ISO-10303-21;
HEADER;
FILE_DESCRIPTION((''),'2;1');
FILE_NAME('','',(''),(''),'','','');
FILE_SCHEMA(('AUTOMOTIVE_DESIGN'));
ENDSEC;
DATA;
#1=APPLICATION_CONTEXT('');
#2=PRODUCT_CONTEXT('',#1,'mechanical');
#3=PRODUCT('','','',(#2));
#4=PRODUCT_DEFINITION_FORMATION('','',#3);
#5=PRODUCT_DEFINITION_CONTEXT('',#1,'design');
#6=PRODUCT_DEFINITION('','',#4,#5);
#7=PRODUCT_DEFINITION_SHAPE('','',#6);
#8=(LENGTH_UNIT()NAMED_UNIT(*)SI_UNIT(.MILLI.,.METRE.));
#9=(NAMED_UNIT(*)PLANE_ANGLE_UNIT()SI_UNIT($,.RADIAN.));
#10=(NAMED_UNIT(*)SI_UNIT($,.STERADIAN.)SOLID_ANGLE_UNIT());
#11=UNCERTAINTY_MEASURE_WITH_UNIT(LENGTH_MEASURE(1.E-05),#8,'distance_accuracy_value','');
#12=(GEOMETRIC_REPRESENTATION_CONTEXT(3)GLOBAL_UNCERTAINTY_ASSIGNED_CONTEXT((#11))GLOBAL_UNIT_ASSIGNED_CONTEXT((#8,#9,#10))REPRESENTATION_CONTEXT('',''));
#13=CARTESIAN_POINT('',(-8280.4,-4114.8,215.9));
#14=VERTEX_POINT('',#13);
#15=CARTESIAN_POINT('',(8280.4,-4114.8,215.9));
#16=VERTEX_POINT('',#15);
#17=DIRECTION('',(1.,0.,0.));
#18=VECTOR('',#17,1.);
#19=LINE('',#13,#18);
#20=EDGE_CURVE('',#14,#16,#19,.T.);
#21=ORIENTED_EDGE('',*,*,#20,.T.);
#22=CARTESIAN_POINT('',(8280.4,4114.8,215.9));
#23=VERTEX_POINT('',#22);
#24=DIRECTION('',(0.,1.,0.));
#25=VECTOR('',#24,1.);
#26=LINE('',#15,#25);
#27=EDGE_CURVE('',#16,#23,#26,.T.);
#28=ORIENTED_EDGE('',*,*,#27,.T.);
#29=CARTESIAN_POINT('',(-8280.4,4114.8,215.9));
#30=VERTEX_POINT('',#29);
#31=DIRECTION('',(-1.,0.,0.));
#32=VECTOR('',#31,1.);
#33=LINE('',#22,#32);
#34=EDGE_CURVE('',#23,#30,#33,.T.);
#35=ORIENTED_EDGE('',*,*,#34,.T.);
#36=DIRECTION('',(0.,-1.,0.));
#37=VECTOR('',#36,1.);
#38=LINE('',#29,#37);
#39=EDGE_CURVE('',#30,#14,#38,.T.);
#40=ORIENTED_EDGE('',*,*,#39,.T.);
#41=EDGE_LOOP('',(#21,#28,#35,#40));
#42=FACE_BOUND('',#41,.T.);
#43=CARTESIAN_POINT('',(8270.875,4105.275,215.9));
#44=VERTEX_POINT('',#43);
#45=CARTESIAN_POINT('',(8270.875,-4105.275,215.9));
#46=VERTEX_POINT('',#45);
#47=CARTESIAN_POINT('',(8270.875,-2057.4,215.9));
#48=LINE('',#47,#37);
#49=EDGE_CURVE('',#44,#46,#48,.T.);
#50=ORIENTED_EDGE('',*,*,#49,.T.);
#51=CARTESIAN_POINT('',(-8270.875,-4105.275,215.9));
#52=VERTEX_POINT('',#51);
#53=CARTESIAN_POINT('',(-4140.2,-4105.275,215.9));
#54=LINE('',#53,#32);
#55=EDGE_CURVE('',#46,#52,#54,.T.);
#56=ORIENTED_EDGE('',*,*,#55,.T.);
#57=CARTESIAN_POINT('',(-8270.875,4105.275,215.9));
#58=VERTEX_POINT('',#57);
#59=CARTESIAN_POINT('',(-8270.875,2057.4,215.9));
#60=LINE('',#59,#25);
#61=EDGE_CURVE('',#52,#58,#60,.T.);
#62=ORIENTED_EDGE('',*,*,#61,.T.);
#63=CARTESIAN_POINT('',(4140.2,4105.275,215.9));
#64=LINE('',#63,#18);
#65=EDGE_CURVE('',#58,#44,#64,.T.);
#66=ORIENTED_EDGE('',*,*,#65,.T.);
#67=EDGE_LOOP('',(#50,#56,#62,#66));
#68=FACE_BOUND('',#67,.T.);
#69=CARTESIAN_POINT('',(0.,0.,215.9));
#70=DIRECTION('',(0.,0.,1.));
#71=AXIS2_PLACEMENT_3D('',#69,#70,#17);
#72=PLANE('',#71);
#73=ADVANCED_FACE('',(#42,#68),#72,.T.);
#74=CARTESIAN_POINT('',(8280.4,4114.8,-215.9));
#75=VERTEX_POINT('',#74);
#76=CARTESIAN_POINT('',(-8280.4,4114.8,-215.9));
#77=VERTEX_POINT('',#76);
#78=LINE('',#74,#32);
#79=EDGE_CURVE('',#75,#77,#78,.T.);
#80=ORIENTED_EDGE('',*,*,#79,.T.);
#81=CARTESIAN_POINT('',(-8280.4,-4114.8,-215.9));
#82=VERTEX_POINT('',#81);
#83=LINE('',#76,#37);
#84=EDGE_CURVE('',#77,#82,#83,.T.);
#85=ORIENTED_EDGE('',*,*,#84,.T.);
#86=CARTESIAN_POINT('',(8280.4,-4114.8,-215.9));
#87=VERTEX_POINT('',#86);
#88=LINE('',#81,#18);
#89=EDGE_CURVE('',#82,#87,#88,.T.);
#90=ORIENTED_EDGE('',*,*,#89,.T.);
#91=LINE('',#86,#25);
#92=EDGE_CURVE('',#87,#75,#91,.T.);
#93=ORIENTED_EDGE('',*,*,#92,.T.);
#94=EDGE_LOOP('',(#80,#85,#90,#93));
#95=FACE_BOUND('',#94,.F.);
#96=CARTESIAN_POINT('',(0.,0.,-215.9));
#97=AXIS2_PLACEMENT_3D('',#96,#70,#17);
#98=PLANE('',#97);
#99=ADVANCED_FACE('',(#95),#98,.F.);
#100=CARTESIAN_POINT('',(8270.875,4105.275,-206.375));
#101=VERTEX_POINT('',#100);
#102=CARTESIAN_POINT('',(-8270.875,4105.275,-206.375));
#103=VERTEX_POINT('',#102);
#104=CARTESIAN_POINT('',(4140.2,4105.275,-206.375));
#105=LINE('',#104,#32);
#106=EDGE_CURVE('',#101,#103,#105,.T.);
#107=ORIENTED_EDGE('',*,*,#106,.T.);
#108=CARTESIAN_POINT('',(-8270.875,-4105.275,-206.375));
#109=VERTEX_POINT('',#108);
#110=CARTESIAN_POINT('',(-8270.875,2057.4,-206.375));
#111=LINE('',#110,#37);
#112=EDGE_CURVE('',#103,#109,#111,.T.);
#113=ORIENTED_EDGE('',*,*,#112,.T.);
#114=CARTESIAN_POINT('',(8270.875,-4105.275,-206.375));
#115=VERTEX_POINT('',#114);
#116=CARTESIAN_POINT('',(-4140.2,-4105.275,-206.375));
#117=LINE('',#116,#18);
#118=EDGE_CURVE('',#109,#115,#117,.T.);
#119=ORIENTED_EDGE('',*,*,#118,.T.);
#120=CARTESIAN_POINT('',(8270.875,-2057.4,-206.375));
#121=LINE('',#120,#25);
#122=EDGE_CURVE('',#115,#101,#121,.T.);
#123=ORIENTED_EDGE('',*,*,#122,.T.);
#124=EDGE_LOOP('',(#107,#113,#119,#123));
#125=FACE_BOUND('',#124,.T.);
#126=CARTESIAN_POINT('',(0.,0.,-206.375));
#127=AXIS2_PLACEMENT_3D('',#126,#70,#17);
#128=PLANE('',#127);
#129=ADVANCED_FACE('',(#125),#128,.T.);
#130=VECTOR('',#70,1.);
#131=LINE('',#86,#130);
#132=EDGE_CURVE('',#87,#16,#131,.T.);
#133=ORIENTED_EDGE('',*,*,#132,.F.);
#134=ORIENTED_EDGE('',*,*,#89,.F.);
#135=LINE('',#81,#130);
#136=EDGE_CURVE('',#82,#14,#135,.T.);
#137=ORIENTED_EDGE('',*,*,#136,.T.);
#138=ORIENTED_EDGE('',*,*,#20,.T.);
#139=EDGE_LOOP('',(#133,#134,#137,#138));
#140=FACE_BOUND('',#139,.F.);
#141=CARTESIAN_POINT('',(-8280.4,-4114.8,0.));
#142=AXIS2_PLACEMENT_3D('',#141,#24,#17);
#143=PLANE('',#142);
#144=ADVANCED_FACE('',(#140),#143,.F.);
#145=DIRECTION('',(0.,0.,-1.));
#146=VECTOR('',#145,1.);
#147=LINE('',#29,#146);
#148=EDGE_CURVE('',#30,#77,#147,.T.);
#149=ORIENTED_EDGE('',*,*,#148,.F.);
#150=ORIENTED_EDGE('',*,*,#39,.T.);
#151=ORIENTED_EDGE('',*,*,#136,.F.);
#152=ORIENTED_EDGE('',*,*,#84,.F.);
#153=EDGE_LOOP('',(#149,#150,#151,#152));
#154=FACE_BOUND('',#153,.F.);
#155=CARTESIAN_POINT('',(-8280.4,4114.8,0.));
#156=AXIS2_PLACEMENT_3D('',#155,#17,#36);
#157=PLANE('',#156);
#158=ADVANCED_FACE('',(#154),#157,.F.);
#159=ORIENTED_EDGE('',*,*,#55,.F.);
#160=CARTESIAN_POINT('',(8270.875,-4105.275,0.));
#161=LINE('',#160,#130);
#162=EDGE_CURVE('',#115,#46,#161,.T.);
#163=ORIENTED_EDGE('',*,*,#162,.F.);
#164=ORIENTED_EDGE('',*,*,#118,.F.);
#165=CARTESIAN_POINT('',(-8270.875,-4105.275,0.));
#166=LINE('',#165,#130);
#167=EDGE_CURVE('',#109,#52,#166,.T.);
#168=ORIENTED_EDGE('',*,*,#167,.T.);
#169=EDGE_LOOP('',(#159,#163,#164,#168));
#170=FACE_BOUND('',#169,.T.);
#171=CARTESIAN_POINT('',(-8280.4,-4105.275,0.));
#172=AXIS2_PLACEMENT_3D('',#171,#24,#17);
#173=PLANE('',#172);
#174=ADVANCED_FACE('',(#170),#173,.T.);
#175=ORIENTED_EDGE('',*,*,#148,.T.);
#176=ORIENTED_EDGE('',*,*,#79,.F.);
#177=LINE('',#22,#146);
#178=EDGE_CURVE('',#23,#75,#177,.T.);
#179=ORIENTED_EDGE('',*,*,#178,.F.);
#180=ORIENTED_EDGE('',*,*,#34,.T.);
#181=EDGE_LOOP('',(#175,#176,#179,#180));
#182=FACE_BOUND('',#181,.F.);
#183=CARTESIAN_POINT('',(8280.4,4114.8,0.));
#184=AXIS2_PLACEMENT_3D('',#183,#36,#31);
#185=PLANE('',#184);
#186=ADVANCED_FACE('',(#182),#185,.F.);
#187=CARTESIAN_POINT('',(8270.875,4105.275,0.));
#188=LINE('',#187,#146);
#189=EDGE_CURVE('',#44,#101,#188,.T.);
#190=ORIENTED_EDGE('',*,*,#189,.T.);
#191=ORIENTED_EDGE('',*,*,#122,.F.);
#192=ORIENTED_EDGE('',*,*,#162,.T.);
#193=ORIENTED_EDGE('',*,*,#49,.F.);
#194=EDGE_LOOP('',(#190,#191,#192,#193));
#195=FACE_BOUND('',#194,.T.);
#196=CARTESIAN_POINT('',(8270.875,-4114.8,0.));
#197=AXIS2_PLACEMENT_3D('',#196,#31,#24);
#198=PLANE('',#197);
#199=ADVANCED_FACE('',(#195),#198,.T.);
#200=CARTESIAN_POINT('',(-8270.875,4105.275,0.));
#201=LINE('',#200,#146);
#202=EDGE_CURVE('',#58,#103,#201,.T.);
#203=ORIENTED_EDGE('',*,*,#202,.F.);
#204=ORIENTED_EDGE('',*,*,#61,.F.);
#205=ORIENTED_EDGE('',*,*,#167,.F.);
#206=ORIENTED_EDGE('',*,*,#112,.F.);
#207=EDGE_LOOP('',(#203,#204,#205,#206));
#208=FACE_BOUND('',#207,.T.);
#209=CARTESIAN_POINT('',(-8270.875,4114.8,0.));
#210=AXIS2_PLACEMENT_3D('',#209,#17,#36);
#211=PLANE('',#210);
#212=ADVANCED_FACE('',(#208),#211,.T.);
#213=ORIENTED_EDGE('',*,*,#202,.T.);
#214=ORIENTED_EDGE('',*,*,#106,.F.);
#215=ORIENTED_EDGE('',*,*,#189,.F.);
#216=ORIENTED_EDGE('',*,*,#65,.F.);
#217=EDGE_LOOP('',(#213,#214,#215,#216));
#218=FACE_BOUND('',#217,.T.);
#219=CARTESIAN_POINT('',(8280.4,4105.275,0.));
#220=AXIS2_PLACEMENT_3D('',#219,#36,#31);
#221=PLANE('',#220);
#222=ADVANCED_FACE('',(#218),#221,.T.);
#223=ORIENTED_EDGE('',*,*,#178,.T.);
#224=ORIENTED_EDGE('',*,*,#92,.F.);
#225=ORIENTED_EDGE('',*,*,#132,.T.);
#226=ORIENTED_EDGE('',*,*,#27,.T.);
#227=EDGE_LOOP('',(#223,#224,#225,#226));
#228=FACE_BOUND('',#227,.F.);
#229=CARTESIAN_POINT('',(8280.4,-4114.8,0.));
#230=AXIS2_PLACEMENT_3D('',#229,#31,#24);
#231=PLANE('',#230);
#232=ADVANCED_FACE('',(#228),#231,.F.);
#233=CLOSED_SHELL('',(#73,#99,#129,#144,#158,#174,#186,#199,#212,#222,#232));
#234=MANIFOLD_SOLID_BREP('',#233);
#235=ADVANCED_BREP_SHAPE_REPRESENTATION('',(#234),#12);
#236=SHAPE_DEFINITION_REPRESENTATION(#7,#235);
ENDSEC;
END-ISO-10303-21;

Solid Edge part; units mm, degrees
sketch "Sketch1" plane through (0, 0, 0) normal (0, 0, 1) x (1, 0, 0)
  line L0 (-8280.4, 4114.8) -> (-8280.4, -4114.8)
  line L1 (-8280.4, -4114.8) -> (8280.4, -4114.8)
  line L2 (8280.4, -4114.8) -> (8280.4, 4114.8)
  line L3 (8280.4, 4114.8) -> (-8280.4, 4114.8)
extrude "Protrusion1" add sketch "Sketch1" along normal mid plane 431.8
shell "Thinwall_1" thickness 9.525 removed faces 1 at (-5685.8747, -2660.904, 215.9)
